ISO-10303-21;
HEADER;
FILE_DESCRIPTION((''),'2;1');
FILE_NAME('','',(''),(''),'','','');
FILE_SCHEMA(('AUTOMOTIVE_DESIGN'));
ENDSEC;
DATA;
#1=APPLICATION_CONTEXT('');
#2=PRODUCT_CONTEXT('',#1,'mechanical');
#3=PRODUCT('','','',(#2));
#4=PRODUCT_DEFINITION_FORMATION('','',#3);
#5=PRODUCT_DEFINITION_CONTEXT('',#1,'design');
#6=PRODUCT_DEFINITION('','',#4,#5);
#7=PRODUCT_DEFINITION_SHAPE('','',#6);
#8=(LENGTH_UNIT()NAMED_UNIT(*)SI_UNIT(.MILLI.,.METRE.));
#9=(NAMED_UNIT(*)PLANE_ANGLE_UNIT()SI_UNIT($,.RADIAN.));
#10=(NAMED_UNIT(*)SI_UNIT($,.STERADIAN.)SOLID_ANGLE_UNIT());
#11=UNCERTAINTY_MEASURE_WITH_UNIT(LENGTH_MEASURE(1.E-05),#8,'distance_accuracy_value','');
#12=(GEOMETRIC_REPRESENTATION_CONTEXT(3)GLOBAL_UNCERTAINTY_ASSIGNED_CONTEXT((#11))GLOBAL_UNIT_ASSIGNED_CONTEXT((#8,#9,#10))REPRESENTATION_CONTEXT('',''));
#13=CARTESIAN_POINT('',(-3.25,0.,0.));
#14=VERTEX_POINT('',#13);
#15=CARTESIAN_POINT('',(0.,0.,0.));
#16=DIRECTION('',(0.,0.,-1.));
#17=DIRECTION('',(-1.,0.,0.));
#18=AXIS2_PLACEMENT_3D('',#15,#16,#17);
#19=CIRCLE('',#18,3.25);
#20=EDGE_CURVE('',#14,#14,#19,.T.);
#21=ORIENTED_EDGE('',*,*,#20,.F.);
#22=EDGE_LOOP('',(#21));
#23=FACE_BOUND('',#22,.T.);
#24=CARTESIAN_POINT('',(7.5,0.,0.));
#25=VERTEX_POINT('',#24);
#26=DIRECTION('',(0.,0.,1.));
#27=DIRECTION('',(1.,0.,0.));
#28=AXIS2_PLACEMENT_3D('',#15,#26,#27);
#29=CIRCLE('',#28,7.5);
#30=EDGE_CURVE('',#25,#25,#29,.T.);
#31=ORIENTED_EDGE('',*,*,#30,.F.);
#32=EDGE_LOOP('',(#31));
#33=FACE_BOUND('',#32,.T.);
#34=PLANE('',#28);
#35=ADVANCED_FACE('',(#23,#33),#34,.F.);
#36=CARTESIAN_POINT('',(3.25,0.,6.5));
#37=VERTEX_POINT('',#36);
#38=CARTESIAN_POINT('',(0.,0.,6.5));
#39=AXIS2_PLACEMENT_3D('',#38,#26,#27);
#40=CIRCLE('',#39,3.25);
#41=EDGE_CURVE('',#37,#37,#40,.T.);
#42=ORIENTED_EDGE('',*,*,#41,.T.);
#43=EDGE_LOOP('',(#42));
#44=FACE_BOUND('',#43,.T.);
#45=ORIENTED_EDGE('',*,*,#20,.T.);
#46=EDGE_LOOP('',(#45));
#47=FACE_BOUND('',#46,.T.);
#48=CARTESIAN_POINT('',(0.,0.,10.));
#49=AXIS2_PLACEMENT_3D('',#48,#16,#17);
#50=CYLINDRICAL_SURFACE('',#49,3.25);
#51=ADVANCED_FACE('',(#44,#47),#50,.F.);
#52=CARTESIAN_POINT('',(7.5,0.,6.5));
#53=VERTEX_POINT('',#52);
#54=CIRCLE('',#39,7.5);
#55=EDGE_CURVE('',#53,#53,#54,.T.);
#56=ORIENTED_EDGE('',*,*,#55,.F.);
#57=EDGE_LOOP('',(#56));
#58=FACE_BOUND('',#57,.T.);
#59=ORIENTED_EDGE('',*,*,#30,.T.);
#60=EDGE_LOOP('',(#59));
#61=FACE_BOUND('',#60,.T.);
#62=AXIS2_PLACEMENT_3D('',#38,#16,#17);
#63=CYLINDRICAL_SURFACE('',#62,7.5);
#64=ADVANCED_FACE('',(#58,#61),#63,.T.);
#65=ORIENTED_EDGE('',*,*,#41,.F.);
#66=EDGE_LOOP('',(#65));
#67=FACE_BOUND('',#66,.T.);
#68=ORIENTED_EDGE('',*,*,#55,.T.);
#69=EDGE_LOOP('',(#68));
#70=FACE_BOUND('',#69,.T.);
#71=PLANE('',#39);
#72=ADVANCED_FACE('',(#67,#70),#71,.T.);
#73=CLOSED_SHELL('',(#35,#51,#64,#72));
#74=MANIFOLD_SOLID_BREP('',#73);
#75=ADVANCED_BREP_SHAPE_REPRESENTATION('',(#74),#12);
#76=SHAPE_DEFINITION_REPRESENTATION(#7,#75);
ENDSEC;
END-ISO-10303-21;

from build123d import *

# Parameters (mm, degrees)
SKETCH1_R           = 7.5
BOSS_EXTRUDE1_DEPTH = 6.5
SKETCH3_R           = 3.25
CUT_EXTRUDE1_DEPTH  = 10


with BuildPart() as part:
    # Sketch1 → Boss-Extrude1 (new body)
    with BuildSketch(Plane.XY):
        Circle(SKETCH1_R)
    extrude(amount=BOSS_EXTRUDE1_DEPTH)

    # Sketch3 → Cut-Extrude1 (cut)
    with BuildSketch(Plane(origin=(0, 0, 0), x_dir=(-1, 0, 0), z_dir=(0, 0, -1))):
        Circle(SKETCH3_R)
    extrude(amount=-CUT_EXTRUDE1_DEPTH, mode=Mode.SUBTRACT)


solid = part.part
